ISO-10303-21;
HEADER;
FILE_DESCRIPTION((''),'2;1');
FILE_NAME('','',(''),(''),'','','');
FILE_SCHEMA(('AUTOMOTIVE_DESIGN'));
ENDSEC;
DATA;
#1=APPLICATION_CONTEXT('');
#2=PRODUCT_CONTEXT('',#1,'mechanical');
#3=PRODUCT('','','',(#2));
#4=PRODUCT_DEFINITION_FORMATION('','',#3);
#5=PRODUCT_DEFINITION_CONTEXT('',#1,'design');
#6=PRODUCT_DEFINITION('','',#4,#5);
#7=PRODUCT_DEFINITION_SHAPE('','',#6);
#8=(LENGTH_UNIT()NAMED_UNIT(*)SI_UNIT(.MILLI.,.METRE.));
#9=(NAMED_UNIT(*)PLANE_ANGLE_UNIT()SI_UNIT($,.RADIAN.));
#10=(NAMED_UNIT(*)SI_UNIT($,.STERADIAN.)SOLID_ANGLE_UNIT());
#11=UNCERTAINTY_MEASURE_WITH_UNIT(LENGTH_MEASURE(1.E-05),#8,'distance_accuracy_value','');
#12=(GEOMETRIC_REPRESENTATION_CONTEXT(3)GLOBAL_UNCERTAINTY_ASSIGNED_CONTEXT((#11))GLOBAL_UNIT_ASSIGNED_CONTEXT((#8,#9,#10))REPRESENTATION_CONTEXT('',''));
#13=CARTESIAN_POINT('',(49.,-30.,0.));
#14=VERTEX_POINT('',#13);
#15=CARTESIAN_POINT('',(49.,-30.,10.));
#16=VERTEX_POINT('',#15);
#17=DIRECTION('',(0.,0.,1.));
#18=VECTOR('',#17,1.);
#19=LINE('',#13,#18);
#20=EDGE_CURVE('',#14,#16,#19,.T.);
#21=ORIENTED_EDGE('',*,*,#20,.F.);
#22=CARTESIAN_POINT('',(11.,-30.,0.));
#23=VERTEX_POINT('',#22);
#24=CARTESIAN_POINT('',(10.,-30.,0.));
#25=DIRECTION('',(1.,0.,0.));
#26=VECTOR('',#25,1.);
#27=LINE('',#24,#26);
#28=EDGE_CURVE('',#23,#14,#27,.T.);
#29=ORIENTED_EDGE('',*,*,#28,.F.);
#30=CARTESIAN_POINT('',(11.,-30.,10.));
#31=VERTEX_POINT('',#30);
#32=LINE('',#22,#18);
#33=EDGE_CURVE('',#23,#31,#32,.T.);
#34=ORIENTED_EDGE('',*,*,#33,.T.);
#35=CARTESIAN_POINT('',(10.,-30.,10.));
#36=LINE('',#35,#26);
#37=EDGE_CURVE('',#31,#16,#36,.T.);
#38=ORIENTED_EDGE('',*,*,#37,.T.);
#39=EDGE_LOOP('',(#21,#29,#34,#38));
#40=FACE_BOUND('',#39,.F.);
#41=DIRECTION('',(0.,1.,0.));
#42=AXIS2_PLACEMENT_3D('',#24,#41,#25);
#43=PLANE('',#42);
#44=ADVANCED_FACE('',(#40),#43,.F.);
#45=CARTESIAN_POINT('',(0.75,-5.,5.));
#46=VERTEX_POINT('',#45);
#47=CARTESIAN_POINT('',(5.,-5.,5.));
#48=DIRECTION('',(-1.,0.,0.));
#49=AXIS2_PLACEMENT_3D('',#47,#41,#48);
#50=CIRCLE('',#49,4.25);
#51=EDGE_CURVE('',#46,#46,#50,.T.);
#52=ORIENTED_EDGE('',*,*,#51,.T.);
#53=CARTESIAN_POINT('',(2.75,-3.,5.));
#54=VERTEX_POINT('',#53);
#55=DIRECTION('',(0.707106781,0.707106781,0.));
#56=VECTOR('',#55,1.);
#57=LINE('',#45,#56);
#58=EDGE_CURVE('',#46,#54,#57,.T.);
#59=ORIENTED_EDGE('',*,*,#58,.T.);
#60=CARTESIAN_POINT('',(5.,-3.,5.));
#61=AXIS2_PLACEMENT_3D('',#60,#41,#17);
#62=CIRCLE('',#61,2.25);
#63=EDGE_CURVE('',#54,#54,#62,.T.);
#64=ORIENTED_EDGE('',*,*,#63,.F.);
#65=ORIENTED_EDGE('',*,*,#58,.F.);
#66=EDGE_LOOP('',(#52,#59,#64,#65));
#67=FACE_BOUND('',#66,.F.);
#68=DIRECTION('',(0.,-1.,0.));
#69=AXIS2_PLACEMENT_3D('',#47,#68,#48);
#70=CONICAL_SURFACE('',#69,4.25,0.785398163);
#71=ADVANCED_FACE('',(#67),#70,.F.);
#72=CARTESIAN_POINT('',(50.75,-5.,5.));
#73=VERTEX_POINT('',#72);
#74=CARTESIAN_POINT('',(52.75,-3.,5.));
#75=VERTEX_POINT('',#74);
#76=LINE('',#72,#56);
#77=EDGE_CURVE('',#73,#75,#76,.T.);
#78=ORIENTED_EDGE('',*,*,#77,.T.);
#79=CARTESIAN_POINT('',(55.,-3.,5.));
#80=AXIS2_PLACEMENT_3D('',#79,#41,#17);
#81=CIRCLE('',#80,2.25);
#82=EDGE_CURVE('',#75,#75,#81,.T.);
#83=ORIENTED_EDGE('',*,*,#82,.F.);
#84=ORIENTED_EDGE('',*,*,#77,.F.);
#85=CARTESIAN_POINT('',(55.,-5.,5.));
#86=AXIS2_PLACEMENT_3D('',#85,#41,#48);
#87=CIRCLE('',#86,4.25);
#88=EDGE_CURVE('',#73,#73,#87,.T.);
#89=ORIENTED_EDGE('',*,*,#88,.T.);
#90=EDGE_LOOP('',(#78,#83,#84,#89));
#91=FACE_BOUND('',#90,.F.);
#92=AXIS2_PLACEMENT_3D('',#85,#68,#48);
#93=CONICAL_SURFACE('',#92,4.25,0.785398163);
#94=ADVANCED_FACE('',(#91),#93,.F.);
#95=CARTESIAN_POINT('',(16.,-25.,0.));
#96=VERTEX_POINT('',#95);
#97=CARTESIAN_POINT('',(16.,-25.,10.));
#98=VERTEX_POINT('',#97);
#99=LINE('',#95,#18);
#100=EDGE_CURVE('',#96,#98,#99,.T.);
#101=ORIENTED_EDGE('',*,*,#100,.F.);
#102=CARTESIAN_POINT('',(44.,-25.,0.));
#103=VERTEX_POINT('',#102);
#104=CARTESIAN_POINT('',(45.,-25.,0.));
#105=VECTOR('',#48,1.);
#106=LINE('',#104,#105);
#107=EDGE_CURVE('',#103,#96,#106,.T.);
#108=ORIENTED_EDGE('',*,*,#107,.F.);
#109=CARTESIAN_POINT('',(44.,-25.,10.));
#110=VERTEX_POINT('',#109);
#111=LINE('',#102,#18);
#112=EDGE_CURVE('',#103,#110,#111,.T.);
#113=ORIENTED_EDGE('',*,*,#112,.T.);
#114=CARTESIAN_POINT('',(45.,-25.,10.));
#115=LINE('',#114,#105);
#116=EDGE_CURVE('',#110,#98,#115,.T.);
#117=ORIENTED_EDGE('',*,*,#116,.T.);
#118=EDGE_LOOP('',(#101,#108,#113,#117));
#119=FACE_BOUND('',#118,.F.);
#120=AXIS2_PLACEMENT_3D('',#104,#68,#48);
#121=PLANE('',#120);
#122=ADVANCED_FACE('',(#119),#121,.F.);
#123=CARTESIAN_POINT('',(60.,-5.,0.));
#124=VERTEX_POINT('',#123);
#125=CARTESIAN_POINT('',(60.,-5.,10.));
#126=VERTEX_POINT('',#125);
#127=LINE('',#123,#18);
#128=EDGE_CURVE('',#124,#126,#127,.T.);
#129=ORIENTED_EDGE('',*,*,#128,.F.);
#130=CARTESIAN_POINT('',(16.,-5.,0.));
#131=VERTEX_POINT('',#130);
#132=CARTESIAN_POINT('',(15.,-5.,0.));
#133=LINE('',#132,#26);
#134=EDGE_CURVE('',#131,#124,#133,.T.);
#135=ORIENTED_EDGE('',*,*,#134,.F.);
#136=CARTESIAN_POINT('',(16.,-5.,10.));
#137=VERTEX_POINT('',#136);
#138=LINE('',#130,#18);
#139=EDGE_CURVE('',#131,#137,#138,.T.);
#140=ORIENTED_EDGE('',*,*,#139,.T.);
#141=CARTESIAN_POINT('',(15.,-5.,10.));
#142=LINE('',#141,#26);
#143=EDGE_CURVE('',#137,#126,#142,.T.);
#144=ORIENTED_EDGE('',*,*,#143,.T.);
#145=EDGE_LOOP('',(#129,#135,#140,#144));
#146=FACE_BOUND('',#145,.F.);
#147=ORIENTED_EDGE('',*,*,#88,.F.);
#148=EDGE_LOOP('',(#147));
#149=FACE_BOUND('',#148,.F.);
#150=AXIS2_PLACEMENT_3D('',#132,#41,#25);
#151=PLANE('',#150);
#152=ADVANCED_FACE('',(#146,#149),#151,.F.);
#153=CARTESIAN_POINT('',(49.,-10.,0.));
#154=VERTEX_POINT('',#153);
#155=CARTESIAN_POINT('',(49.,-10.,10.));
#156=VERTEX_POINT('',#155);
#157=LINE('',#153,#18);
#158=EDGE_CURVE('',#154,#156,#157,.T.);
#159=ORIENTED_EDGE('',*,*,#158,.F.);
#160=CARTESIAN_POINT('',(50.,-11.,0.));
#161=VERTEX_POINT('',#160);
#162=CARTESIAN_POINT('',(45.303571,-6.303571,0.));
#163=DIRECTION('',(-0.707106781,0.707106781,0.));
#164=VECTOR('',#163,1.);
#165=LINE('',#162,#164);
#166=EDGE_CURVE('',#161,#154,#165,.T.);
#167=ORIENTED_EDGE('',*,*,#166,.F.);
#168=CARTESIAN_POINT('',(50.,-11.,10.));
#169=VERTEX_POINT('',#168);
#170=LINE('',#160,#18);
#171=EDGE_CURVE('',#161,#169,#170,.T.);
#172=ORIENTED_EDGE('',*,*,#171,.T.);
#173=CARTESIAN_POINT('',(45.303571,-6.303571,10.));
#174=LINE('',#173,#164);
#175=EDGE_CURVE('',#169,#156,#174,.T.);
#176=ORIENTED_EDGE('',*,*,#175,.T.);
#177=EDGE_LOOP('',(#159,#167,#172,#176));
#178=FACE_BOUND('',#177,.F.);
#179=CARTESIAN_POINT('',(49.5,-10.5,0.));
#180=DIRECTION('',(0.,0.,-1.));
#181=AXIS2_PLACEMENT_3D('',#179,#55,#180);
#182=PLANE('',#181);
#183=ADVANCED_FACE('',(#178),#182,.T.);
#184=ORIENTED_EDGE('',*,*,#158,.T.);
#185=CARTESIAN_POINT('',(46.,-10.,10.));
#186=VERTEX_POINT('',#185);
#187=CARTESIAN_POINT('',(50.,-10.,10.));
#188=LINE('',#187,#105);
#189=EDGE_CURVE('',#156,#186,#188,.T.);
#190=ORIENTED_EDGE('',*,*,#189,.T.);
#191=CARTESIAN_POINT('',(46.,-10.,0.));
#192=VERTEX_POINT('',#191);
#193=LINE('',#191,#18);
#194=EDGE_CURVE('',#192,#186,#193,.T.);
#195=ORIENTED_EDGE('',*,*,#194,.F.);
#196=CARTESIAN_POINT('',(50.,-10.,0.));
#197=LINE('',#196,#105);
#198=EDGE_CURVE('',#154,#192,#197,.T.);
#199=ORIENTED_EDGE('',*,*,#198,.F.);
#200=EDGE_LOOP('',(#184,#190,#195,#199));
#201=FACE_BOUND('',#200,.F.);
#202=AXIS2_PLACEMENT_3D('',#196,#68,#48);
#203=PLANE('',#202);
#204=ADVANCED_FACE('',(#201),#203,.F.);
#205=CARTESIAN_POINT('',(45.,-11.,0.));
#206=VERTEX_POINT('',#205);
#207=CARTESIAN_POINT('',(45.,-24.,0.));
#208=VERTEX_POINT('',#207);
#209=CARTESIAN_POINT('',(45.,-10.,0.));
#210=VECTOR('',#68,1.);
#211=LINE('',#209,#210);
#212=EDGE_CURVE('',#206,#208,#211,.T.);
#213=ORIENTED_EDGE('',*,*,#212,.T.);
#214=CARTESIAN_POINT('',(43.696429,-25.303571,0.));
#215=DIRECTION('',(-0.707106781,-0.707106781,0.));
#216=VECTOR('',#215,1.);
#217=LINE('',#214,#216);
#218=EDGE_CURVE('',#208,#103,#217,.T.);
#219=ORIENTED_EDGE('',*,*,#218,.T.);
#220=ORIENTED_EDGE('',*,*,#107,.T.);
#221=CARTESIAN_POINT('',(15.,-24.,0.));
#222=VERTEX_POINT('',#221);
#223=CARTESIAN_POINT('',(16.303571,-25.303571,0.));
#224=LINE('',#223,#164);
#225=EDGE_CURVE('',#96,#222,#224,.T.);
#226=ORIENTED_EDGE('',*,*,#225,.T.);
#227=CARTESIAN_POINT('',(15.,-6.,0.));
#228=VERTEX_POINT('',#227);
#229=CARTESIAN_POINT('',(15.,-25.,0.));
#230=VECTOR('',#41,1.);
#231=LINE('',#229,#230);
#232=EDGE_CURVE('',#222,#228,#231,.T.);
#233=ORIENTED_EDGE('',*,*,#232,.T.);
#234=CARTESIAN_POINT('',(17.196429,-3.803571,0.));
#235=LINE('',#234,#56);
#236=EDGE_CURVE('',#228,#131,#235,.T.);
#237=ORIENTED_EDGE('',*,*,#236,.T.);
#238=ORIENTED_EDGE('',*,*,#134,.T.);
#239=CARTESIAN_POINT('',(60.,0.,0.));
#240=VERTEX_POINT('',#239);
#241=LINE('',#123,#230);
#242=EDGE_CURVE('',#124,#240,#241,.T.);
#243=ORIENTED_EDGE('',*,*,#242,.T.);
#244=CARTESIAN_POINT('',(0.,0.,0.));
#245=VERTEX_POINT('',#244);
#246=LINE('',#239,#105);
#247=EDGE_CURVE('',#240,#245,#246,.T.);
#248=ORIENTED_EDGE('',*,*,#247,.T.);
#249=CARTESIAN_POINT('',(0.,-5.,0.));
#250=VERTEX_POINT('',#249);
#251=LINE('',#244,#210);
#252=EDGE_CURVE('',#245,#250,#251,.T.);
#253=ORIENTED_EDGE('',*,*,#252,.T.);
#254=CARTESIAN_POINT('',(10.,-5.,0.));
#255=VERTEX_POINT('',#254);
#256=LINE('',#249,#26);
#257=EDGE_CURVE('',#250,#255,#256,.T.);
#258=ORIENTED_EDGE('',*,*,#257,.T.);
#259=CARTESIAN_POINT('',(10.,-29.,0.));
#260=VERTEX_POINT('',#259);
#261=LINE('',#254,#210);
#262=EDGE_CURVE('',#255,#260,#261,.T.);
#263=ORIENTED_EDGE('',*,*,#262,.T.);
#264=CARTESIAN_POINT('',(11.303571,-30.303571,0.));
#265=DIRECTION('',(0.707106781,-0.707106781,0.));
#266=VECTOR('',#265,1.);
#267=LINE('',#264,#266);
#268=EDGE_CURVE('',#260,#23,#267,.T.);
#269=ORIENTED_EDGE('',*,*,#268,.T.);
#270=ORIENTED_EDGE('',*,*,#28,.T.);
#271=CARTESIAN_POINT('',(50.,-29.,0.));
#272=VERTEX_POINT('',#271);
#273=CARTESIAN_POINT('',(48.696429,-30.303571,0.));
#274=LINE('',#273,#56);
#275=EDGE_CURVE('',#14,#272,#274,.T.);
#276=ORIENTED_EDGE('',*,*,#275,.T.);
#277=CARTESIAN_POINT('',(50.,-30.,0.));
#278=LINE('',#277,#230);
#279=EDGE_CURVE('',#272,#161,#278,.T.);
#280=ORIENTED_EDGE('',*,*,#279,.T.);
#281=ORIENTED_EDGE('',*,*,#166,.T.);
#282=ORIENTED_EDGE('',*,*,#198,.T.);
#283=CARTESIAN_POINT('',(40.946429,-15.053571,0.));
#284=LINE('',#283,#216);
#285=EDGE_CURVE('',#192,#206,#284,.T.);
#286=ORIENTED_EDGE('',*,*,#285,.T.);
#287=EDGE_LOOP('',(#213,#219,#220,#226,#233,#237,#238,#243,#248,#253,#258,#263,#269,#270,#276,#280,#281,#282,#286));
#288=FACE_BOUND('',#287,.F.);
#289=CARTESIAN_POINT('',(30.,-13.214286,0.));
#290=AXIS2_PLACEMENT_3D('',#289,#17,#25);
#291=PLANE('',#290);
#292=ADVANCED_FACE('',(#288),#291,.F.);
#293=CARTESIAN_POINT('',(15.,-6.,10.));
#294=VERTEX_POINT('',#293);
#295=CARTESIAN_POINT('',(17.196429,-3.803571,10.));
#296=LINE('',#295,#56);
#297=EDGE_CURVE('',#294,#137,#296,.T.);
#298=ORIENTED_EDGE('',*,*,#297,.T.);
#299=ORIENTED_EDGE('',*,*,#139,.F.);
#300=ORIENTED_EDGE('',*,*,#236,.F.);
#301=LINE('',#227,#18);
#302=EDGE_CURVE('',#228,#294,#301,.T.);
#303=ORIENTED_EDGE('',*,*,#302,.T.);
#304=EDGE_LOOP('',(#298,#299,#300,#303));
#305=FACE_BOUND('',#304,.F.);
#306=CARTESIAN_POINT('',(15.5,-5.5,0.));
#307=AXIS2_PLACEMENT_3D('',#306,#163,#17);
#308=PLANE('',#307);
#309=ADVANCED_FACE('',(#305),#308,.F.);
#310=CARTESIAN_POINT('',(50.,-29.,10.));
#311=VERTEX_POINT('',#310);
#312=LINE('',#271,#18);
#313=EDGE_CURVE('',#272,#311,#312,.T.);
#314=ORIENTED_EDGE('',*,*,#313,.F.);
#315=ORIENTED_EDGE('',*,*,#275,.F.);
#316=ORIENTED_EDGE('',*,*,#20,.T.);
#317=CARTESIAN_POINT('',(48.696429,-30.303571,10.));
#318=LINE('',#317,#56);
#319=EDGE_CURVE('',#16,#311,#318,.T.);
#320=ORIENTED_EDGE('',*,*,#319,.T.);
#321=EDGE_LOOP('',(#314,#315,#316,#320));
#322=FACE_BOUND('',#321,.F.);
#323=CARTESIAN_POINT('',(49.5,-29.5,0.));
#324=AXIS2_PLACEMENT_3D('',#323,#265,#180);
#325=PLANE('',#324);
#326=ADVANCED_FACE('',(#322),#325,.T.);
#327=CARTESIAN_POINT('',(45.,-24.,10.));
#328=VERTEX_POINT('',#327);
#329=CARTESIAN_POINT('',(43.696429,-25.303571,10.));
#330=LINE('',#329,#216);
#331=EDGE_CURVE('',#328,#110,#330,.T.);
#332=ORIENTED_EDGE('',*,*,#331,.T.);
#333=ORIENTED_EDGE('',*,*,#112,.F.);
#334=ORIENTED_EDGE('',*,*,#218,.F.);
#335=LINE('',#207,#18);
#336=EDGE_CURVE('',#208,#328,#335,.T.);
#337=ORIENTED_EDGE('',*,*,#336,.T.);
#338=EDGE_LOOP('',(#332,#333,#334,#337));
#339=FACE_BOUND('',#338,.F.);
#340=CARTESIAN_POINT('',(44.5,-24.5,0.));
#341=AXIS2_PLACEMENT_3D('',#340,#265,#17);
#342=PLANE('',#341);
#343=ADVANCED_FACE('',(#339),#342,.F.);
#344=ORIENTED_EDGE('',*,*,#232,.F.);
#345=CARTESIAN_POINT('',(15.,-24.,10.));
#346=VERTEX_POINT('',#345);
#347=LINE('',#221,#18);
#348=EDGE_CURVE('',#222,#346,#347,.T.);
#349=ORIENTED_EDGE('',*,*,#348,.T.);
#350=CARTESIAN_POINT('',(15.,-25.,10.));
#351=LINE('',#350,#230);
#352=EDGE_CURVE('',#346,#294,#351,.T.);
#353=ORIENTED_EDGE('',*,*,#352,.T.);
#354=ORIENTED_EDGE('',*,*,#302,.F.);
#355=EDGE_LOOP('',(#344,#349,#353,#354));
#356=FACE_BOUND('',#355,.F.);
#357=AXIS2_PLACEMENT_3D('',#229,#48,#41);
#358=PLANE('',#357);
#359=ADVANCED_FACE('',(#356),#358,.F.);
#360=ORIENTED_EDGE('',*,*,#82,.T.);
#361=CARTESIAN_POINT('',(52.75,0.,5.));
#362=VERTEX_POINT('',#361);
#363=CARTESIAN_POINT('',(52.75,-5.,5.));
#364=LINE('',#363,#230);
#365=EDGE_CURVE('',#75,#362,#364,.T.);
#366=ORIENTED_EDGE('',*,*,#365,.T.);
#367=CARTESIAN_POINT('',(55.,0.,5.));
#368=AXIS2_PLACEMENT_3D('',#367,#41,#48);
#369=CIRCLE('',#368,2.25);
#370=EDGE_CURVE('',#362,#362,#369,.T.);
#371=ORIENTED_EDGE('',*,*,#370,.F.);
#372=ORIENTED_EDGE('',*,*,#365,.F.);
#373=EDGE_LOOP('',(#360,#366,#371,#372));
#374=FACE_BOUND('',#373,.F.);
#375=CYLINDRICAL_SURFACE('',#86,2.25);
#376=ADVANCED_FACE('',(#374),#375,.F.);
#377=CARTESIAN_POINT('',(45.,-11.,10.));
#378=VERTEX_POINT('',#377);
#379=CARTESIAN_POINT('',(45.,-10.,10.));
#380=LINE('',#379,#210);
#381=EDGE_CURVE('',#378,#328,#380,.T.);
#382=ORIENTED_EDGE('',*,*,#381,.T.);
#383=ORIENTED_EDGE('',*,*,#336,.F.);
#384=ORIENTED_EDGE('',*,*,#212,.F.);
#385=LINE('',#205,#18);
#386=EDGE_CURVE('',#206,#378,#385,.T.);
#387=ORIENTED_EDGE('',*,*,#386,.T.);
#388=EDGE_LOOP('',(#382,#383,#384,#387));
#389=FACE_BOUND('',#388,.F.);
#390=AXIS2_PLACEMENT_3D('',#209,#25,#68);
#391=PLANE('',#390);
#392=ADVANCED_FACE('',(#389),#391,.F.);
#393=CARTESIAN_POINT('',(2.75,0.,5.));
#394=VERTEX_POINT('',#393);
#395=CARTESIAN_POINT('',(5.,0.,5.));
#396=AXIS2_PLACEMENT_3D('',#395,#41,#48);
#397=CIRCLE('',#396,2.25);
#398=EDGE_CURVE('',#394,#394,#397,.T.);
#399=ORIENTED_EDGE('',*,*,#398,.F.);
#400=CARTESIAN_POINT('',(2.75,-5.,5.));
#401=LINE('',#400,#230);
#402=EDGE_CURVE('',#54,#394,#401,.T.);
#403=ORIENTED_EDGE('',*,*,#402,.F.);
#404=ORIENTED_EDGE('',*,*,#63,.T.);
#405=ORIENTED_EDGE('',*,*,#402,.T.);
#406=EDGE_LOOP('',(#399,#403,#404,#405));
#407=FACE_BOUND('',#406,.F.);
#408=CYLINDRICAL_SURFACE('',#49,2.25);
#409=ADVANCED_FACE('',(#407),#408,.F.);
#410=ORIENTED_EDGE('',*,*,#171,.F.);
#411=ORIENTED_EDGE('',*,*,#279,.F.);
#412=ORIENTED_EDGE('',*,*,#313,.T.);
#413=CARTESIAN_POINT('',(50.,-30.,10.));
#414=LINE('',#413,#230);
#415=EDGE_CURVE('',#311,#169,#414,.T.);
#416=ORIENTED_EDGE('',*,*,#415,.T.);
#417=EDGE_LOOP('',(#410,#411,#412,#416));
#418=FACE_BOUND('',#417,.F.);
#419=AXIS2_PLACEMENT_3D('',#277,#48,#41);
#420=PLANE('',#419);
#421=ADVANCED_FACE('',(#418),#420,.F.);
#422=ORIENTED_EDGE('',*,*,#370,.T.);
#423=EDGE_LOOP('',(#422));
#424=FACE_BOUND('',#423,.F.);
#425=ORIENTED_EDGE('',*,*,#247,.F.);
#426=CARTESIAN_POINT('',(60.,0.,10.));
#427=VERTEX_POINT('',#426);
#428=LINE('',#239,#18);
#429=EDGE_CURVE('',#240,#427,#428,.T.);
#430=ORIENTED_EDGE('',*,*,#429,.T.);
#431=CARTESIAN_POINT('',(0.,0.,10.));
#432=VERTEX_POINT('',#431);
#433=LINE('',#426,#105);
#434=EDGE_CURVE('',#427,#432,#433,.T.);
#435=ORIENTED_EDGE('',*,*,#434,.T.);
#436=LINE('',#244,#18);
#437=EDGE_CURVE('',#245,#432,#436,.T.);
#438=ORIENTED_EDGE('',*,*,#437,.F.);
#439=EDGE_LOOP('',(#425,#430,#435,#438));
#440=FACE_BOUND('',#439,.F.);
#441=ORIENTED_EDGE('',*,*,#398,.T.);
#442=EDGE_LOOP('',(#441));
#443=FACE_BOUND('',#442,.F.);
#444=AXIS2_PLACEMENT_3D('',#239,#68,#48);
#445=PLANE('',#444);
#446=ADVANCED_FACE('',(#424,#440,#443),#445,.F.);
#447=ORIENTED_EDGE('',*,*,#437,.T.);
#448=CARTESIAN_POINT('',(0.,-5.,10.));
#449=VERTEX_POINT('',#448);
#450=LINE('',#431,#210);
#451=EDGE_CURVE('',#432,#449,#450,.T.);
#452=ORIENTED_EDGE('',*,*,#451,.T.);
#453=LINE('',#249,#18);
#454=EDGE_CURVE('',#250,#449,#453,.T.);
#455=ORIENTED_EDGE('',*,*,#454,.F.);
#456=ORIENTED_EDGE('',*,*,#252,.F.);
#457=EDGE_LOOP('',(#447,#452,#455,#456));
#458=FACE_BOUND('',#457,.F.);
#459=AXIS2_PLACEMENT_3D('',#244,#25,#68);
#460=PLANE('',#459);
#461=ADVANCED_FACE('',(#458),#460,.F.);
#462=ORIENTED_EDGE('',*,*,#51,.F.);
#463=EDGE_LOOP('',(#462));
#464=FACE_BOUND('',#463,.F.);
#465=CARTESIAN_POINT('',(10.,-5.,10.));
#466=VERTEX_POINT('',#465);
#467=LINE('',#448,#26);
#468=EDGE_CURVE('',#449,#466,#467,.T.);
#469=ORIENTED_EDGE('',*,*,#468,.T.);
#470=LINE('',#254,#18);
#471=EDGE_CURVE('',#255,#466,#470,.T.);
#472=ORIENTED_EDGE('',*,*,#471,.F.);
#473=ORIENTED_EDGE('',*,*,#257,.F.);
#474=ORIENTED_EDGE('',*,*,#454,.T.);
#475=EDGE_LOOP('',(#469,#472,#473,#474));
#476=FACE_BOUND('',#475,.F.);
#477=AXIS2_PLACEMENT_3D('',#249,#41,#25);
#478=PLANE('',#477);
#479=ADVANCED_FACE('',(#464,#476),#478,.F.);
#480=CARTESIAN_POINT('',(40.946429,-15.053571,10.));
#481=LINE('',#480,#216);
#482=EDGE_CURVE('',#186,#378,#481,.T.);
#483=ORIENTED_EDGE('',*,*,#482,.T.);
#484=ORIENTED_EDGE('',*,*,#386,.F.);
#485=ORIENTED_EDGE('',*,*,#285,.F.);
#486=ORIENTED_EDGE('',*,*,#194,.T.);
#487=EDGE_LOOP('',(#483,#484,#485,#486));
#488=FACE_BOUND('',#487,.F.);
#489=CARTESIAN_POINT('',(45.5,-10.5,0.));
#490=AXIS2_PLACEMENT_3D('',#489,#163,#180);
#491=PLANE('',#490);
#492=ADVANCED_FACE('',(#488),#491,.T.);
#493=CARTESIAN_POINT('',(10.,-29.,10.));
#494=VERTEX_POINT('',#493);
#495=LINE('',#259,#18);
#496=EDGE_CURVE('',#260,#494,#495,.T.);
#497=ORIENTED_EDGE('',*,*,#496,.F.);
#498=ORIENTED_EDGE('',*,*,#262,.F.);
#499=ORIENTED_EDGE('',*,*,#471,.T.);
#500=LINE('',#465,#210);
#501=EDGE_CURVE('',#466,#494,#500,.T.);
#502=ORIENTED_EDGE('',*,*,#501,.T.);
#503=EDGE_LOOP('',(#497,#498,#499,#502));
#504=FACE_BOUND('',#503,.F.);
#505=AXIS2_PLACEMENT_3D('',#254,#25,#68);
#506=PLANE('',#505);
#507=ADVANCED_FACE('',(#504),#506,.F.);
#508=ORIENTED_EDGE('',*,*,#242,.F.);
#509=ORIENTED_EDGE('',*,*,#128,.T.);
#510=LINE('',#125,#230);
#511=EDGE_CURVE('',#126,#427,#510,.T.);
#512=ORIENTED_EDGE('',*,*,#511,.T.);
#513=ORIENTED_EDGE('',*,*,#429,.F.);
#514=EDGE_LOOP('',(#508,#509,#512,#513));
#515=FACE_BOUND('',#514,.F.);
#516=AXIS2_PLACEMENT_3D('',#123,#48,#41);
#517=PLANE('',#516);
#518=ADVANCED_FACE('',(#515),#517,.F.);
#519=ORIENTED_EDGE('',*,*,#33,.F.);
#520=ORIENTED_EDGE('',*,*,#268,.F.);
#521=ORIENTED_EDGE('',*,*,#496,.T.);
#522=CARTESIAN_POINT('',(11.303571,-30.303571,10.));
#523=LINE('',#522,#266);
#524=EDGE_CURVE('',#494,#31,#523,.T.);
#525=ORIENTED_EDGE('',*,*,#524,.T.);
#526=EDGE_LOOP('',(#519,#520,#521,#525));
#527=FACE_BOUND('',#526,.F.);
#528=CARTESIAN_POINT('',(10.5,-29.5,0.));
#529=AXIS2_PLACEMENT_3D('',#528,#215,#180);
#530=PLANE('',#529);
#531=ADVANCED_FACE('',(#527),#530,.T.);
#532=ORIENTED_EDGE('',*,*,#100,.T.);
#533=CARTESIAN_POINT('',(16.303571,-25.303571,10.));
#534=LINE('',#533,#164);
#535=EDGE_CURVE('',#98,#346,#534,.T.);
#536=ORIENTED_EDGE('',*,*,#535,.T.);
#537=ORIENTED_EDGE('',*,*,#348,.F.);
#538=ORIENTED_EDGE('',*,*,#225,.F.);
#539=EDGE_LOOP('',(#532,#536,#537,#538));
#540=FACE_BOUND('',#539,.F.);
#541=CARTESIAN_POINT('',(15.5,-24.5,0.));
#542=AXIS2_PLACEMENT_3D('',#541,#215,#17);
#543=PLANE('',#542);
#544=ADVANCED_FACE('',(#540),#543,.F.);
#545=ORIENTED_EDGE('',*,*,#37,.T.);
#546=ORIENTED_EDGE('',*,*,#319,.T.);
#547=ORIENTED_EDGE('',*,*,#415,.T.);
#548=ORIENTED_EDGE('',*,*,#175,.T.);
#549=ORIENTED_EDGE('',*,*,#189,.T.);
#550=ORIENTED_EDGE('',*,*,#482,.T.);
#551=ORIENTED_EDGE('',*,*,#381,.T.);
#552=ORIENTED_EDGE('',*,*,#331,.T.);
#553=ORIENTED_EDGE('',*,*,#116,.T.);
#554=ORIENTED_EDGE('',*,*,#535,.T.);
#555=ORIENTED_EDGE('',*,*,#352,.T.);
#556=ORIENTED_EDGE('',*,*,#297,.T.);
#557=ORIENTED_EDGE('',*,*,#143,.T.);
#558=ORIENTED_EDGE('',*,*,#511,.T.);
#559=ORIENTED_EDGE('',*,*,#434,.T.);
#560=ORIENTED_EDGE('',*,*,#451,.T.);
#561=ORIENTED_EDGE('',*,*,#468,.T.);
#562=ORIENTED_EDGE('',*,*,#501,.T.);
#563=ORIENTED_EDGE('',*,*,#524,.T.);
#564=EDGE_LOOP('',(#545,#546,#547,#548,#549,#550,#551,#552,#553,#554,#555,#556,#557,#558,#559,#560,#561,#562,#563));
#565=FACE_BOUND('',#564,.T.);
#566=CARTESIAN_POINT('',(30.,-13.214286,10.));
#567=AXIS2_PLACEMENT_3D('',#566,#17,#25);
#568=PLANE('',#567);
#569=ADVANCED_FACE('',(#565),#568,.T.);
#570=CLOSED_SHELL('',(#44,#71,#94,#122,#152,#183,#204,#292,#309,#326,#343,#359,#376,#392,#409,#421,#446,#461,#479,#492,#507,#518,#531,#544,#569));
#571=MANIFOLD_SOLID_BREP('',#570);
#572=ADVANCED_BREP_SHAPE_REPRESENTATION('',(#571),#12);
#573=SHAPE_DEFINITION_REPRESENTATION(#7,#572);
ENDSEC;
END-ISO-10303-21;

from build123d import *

# Parameters (mm, degrees)
F1_DEPTH       = 10
F3_D           = 4.5
F3_CSINK_D     = 8.5
F3_CSINK_ANGLE = 90
F4_SIZE        = 1


with BuildPart() as f1:
    # F0 (on Top) → F1 (new body)
    with BuildSketch(Plane.XY):
        Polygon((60, 0), (0, 0), (0, -5), (10, -5), (10, -30), (50, -30), (50, -10), (45, -10), (45, -25), (15, -25), (15, -5), (60, -5), align=None)
    extrude(amount=F1_DEPTH)

    # F3 (through all)
    with Locations(Plane.XZ.offset(5)):
        with Locations((5, 5), (55, 5)):
            CounterSinkHole(F3_D / 2, F3_CSINK_D / 2, counter_sink_angle=F3_CSINK_ANGLE)

    # F4
    f4_edges = [f1.edges().sort_by_distance(p)[0] for p in [
        (50, -10, 5),
        (45, -10, 5),
        (15, -5, 5),
        (15, -25, 5),
        (45, -25, 5),
        (50, -30, 5),
        (10, -30, 5),
    ]]
    chamfer(f4_edges, length=F4_SIZE)


solid = f1.part
